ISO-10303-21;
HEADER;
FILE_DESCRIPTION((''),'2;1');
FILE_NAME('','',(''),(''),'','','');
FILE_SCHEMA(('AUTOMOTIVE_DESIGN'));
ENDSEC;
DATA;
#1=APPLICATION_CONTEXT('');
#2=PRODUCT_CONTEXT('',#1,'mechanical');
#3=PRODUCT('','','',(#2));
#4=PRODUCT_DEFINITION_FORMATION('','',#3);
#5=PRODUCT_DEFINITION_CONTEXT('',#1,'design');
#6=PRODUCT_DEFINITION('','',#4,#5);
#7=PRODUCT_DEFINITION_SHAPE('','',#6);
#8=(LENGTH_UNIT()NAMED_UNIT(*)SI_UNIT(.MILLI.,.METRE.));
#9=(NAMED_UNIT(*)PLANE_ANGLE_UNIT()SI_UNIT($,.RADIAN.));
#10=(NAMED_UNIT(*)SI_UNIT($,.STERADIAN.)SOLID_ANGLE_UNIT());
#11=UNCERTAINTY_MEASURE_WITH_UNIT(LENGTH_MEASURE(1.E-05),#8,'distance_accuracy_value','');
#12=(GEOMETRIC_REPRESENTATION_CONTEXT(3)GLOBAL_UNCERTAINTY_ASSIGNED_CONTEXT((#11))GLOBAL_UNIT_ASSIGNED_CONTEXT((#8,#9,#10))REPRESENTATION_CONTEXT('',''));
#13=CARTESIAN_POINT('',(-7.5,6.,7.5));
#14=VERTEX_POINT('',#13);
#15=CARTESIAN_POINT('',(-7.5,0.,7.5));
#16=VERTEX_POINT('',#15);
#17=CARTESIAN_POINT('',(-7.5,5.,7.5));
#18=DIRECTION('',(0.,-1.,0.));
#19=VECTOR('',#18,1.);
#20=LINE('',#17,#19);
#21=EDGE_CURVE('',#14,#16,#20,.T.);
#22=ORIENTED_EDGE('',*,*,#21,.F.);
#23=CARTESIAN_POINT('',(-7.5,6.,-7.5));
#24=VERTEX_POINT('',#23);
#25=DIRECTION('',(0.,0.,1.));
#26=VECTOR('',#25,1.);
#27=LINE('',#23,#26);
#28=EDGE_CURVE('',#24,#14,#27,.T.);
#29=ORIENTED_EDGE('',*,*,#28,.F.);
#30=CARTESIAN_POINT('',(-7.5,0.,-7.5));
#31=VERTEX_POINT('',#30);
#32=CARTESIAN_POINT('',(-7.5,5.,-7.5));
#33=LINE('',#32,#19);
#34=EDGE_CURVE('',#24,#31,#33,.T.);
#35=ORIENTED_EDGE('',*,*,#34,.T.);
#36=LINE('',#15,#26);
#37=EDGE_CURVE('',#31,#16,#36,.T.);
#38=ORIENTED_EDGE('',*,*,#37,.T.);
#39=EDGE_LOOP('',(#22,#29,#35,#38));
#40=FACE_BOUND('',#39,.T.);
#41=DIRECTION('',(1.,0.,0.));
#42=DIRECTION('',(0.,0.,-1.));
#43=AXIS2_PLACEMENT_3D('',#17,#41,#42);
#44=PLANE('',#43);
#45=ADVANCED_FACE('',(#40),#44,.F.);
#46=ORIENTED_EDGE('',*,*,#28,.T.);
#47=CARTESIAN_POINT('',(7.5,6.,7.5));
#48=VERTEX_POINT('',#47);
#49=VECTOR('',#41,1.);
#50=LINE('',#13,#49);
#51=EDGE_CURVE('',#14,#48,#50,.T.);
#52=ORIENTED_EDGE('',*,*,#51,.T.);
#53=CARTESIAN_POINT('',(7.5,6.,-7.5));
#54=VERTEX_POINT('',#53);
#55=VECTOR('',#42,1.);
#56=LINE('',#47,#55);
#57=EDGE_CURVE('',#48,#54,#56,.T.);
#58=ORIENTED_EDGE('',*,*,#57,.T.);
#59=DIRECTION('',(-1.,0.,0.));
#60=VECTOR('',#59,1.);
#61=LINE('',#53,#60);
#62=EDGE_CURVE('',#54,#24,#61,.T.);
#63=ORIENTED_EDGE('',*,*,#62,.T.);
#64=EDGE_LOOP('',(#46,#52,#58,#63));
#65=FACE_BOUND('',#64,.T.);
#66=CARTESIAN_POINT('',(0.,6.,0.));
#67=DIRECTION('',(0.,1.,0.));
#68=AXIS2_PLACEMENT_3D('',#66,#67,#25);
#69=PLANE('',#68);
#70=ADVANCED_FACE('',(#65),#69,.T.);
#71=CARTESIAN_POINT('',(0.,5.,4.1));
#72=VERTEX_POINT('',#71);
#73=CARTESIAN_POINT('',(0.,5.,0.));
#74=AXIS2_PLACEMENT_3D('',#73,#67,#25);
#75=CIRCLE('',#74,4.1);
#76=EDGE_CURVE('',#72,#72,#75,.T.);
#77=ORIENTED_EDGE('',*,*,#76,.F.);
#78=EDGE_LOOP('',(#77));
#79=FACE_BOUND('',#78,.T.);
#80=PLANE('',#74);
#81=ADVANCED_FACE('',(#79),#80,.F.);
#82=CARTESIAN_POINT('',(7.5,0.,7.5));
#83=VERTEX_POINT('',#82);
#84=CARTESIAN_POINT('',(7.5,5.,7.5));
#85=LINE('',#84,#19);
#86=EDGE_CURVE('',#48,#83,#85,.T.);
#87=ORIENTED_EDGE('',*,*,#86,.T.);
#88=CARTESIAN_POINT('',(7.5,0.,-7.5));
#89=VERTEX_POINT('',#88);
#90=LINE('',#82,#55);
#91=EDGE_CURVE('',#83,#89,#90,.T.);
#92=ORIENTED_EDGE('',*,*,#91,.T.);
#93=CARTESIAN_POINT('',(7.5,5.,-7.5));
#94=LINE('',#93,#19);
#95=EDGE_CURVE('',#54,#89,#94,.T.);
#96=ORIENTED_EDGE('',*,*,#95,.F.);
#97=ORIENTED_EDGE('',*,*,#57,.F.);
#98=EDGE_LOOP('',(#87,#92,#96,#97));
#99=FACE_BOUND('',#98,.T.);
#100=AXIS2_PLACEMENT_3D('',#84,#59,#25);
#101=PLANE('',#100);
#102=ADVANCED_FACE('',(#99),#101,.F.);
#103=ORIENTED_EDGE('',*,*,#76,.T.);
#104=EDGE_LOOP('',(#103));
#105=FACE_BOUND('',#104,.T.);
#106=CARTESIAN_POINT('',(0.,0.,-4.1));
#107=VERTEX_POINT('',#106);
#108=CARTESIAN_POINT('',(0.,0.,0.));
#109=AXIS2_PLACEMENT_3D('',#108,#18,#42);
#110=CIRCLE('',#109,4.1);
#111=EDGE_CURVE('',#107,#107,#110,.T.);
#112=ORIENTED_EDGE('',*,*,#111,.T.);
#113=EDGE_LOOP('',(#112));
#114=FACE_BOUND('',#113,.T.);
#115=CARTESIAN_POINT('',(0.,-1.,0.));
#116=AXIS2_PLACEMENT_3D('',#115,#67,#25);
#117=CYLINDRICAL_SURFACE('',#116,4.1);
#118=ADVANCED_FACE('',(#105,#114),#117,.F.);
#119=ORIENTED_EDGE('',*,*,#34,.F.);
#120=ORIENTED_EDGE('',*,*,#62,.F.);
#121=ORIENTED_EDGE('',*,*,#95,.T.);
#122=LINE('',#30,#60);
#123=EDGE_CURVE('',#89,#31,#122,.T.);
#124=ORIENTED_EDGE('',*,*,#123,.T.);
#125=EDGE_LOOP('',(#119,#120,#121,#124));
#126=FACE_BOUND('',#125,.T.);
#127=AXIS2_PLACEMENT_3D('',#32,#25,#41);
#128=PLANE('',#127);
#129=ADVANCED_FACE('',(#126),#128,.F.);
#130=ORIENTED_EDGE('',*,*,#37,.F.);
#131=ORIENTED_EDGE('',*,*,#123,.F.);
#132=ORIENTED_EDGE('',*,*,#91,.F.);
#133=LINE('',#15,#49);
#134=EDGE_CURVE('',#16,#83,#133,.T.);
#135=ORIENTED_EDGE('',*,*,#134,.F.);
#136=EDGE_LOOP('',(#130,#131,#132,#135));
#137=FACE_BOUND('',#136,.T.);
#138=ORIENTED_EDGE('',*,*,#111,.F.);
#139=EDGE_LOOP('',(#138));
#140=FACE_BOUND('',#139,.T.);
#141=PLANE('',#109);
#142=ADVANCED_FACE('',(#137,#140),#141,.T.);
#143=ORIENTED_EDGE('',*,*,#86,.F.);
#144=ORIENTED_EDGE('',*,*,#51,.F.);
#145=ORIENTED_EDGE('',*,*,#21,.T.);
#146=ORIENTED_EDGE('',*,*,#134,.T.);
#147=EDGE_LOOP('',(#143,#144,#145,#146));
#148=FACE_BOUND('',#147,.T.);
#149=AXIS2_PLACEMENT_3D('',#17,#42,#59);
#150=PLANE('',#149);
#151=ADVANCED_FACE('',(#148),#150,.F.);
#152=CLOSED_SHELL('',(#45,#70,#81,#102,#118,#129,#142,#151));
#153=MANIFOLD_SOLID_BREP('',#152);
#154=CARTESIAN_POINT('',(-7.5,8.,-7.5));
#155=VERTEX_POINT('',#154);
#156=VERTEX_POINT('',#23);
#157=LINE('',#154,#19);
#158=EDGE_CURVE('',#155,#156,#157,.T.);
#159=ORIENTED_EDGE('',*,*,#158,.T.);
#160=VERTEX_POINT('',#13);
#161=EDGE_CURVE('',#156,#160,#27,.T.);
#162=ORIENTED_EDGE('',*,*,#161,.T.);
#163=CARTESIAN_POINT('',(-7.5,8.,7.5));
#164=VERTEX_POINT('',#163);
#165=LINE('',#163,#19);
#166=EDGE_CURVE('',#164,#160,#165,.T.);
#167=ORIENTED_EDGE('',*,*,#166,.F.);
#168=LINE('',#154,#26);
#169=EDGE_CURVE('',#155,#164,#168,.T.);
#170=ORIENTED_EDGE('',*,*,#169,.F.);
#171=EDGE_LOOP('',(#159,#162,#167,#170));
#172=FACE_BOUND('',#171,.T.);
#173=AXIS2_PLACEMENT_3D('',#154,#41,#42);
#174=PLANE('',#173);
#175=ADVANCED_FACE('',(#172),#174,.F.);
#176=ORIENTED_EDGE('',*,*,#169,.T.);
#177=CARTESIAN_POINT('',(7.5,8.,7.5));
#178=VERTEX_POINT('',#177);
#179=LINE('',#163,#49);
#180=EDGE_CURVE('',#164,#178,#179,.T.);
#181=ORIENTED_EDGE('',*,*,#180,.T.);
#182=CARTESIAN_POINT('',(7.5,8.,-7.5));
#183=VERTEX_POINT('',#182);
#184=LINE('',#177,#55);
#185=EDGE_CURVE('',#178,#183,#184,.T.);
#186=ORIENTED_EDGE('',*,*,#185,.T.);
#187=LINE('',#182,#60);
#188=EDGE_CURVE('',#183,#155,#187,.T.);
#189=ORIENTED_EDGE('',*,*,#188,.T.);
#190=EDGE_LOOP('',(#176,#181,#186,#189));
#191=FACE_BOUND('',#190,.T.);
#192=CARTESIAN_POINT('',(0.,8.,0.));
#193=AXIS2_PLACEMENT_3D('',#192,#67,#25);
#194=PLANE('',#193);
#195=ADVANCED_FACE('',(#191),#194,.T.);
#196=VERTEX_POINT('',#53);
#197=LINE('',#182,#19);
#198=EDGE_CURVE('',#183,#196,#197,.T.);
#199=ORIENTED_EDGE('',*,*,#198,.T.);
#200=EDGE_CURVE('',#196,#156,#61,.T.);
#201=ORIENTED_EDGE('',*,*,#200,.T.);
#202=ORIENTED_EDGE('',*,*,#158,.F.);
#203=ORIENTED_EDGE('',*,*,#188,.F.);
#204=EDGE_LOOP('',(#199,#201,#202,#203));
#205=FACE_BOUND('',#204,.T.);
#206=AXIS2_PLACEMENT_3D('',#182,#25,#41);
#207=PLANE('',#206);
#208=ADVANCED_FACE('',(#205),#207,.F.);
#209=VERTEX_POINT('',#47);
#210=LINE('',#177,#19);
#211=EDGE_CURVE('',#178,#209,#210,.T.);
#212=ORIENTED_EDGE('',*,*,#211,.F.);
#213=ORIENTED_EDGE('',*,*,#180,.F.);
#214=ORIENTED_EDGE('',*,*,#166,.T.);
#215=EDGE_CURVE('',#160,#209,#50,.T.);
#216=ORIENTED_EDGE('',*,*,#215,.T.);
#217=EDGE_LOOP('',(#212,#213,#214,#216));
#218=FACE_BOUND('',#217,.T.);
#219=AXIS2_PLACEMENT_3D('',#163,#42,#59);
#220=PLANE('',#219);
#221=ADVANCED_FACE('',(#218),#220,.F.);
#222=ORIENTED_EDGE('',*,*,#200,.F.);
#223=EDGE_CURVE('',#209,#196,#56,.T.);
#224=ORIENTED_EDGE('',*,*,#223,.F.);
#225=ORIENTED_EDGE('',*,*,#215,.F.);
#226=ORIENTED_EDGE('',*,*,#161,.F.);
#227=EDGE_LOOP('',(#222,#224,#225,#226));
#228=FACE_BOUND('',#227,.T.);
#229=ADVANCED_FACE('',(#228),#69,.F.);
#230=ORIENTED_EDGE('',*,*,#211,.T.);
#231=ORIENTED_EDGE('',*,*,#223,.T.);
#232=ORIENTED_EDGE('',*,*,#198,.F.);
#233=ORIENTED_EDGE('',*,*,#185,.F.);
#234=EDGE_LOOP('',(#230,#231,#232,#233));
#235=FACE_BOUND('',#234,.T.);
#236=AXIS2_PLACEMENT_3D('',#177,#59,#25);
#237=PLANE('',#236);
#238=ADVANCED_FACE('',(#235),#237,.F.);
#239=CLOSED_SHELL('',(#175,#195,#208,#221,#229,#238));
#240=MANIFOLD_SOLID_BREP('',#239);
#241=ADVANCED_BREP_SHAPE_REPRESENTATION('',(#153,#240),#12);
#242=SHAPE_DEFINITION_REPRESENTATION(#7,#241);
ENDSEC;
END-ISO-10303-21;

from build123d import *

# Parameters (mm, degrees)
SKETCH_1_W          = 15
SKETCH_1_H          = 15
EXTRUDE_1_DEPTH     = 5
SKETCH_2_R          = 4.1
CUT_EXTRUDE_1_DEPTH = 6
SKETCH_3_W          = 15
SKETCH_3_H          = 15
EXTRUDE_2_DEPTH     = 1
SKETCH_4_W          = 15
SKETCH_4_H          = 15
EXTRUDE_3_DEPTH     = 2


with BuildPart() as part:
    # 草图1 → 凸台-拉伸1 (new body)
    with BuildSketch(Plane(origin=(0, 0, 0), x_dir=(1, 0, 0), z_dir=(0, 1, 0))):
        Rectangle(SKETCH_1_W, SKETCH_1_H)
    extrude(amount=EXTRUDE_1_DEPTH)

    # 草图2 → 切除-拉伸1 (cut)
    with BuildSketch(Plane(origin=(0, 5, 0), x_dir=(1, 0, 0), z_dir=(0, 1, 0))):
        with Locations(Location((0, 0, 0), (0, 0, 270))):
            Circle(SKETCH_2_R)
    extrude(amount=-CUT_EXTRUDE_1_DEPTH, mode=Mode.SUBTRACT)

    # 草图3 → 凸台-拉伸2 (add)
    with BuildSketch(Plane(origin=(0, 5, 0), x_dir=(1, 0, 0), z_dir=(0, 1, 0))):
        Rectangle(SKETCH_3_W, SKETCH_3_H)
    extrude(amount=EXTRUDE_2_DEPTH)


with BuildPart() as body_2:
    # 草图4 → 凸台-拉伸3 (new body)
    with BuildSketch(Plane(origin=(0, 6, 0), x_dir=(1, 0, 0), z_dir=(0, 1, 0))):
        Rectangle(SKETCH_4_W, SKETCH_4_H)
    extrude(amount=EXTRUDE_3_DEPTH)


solid = Compound([part.part, body_2.part])
